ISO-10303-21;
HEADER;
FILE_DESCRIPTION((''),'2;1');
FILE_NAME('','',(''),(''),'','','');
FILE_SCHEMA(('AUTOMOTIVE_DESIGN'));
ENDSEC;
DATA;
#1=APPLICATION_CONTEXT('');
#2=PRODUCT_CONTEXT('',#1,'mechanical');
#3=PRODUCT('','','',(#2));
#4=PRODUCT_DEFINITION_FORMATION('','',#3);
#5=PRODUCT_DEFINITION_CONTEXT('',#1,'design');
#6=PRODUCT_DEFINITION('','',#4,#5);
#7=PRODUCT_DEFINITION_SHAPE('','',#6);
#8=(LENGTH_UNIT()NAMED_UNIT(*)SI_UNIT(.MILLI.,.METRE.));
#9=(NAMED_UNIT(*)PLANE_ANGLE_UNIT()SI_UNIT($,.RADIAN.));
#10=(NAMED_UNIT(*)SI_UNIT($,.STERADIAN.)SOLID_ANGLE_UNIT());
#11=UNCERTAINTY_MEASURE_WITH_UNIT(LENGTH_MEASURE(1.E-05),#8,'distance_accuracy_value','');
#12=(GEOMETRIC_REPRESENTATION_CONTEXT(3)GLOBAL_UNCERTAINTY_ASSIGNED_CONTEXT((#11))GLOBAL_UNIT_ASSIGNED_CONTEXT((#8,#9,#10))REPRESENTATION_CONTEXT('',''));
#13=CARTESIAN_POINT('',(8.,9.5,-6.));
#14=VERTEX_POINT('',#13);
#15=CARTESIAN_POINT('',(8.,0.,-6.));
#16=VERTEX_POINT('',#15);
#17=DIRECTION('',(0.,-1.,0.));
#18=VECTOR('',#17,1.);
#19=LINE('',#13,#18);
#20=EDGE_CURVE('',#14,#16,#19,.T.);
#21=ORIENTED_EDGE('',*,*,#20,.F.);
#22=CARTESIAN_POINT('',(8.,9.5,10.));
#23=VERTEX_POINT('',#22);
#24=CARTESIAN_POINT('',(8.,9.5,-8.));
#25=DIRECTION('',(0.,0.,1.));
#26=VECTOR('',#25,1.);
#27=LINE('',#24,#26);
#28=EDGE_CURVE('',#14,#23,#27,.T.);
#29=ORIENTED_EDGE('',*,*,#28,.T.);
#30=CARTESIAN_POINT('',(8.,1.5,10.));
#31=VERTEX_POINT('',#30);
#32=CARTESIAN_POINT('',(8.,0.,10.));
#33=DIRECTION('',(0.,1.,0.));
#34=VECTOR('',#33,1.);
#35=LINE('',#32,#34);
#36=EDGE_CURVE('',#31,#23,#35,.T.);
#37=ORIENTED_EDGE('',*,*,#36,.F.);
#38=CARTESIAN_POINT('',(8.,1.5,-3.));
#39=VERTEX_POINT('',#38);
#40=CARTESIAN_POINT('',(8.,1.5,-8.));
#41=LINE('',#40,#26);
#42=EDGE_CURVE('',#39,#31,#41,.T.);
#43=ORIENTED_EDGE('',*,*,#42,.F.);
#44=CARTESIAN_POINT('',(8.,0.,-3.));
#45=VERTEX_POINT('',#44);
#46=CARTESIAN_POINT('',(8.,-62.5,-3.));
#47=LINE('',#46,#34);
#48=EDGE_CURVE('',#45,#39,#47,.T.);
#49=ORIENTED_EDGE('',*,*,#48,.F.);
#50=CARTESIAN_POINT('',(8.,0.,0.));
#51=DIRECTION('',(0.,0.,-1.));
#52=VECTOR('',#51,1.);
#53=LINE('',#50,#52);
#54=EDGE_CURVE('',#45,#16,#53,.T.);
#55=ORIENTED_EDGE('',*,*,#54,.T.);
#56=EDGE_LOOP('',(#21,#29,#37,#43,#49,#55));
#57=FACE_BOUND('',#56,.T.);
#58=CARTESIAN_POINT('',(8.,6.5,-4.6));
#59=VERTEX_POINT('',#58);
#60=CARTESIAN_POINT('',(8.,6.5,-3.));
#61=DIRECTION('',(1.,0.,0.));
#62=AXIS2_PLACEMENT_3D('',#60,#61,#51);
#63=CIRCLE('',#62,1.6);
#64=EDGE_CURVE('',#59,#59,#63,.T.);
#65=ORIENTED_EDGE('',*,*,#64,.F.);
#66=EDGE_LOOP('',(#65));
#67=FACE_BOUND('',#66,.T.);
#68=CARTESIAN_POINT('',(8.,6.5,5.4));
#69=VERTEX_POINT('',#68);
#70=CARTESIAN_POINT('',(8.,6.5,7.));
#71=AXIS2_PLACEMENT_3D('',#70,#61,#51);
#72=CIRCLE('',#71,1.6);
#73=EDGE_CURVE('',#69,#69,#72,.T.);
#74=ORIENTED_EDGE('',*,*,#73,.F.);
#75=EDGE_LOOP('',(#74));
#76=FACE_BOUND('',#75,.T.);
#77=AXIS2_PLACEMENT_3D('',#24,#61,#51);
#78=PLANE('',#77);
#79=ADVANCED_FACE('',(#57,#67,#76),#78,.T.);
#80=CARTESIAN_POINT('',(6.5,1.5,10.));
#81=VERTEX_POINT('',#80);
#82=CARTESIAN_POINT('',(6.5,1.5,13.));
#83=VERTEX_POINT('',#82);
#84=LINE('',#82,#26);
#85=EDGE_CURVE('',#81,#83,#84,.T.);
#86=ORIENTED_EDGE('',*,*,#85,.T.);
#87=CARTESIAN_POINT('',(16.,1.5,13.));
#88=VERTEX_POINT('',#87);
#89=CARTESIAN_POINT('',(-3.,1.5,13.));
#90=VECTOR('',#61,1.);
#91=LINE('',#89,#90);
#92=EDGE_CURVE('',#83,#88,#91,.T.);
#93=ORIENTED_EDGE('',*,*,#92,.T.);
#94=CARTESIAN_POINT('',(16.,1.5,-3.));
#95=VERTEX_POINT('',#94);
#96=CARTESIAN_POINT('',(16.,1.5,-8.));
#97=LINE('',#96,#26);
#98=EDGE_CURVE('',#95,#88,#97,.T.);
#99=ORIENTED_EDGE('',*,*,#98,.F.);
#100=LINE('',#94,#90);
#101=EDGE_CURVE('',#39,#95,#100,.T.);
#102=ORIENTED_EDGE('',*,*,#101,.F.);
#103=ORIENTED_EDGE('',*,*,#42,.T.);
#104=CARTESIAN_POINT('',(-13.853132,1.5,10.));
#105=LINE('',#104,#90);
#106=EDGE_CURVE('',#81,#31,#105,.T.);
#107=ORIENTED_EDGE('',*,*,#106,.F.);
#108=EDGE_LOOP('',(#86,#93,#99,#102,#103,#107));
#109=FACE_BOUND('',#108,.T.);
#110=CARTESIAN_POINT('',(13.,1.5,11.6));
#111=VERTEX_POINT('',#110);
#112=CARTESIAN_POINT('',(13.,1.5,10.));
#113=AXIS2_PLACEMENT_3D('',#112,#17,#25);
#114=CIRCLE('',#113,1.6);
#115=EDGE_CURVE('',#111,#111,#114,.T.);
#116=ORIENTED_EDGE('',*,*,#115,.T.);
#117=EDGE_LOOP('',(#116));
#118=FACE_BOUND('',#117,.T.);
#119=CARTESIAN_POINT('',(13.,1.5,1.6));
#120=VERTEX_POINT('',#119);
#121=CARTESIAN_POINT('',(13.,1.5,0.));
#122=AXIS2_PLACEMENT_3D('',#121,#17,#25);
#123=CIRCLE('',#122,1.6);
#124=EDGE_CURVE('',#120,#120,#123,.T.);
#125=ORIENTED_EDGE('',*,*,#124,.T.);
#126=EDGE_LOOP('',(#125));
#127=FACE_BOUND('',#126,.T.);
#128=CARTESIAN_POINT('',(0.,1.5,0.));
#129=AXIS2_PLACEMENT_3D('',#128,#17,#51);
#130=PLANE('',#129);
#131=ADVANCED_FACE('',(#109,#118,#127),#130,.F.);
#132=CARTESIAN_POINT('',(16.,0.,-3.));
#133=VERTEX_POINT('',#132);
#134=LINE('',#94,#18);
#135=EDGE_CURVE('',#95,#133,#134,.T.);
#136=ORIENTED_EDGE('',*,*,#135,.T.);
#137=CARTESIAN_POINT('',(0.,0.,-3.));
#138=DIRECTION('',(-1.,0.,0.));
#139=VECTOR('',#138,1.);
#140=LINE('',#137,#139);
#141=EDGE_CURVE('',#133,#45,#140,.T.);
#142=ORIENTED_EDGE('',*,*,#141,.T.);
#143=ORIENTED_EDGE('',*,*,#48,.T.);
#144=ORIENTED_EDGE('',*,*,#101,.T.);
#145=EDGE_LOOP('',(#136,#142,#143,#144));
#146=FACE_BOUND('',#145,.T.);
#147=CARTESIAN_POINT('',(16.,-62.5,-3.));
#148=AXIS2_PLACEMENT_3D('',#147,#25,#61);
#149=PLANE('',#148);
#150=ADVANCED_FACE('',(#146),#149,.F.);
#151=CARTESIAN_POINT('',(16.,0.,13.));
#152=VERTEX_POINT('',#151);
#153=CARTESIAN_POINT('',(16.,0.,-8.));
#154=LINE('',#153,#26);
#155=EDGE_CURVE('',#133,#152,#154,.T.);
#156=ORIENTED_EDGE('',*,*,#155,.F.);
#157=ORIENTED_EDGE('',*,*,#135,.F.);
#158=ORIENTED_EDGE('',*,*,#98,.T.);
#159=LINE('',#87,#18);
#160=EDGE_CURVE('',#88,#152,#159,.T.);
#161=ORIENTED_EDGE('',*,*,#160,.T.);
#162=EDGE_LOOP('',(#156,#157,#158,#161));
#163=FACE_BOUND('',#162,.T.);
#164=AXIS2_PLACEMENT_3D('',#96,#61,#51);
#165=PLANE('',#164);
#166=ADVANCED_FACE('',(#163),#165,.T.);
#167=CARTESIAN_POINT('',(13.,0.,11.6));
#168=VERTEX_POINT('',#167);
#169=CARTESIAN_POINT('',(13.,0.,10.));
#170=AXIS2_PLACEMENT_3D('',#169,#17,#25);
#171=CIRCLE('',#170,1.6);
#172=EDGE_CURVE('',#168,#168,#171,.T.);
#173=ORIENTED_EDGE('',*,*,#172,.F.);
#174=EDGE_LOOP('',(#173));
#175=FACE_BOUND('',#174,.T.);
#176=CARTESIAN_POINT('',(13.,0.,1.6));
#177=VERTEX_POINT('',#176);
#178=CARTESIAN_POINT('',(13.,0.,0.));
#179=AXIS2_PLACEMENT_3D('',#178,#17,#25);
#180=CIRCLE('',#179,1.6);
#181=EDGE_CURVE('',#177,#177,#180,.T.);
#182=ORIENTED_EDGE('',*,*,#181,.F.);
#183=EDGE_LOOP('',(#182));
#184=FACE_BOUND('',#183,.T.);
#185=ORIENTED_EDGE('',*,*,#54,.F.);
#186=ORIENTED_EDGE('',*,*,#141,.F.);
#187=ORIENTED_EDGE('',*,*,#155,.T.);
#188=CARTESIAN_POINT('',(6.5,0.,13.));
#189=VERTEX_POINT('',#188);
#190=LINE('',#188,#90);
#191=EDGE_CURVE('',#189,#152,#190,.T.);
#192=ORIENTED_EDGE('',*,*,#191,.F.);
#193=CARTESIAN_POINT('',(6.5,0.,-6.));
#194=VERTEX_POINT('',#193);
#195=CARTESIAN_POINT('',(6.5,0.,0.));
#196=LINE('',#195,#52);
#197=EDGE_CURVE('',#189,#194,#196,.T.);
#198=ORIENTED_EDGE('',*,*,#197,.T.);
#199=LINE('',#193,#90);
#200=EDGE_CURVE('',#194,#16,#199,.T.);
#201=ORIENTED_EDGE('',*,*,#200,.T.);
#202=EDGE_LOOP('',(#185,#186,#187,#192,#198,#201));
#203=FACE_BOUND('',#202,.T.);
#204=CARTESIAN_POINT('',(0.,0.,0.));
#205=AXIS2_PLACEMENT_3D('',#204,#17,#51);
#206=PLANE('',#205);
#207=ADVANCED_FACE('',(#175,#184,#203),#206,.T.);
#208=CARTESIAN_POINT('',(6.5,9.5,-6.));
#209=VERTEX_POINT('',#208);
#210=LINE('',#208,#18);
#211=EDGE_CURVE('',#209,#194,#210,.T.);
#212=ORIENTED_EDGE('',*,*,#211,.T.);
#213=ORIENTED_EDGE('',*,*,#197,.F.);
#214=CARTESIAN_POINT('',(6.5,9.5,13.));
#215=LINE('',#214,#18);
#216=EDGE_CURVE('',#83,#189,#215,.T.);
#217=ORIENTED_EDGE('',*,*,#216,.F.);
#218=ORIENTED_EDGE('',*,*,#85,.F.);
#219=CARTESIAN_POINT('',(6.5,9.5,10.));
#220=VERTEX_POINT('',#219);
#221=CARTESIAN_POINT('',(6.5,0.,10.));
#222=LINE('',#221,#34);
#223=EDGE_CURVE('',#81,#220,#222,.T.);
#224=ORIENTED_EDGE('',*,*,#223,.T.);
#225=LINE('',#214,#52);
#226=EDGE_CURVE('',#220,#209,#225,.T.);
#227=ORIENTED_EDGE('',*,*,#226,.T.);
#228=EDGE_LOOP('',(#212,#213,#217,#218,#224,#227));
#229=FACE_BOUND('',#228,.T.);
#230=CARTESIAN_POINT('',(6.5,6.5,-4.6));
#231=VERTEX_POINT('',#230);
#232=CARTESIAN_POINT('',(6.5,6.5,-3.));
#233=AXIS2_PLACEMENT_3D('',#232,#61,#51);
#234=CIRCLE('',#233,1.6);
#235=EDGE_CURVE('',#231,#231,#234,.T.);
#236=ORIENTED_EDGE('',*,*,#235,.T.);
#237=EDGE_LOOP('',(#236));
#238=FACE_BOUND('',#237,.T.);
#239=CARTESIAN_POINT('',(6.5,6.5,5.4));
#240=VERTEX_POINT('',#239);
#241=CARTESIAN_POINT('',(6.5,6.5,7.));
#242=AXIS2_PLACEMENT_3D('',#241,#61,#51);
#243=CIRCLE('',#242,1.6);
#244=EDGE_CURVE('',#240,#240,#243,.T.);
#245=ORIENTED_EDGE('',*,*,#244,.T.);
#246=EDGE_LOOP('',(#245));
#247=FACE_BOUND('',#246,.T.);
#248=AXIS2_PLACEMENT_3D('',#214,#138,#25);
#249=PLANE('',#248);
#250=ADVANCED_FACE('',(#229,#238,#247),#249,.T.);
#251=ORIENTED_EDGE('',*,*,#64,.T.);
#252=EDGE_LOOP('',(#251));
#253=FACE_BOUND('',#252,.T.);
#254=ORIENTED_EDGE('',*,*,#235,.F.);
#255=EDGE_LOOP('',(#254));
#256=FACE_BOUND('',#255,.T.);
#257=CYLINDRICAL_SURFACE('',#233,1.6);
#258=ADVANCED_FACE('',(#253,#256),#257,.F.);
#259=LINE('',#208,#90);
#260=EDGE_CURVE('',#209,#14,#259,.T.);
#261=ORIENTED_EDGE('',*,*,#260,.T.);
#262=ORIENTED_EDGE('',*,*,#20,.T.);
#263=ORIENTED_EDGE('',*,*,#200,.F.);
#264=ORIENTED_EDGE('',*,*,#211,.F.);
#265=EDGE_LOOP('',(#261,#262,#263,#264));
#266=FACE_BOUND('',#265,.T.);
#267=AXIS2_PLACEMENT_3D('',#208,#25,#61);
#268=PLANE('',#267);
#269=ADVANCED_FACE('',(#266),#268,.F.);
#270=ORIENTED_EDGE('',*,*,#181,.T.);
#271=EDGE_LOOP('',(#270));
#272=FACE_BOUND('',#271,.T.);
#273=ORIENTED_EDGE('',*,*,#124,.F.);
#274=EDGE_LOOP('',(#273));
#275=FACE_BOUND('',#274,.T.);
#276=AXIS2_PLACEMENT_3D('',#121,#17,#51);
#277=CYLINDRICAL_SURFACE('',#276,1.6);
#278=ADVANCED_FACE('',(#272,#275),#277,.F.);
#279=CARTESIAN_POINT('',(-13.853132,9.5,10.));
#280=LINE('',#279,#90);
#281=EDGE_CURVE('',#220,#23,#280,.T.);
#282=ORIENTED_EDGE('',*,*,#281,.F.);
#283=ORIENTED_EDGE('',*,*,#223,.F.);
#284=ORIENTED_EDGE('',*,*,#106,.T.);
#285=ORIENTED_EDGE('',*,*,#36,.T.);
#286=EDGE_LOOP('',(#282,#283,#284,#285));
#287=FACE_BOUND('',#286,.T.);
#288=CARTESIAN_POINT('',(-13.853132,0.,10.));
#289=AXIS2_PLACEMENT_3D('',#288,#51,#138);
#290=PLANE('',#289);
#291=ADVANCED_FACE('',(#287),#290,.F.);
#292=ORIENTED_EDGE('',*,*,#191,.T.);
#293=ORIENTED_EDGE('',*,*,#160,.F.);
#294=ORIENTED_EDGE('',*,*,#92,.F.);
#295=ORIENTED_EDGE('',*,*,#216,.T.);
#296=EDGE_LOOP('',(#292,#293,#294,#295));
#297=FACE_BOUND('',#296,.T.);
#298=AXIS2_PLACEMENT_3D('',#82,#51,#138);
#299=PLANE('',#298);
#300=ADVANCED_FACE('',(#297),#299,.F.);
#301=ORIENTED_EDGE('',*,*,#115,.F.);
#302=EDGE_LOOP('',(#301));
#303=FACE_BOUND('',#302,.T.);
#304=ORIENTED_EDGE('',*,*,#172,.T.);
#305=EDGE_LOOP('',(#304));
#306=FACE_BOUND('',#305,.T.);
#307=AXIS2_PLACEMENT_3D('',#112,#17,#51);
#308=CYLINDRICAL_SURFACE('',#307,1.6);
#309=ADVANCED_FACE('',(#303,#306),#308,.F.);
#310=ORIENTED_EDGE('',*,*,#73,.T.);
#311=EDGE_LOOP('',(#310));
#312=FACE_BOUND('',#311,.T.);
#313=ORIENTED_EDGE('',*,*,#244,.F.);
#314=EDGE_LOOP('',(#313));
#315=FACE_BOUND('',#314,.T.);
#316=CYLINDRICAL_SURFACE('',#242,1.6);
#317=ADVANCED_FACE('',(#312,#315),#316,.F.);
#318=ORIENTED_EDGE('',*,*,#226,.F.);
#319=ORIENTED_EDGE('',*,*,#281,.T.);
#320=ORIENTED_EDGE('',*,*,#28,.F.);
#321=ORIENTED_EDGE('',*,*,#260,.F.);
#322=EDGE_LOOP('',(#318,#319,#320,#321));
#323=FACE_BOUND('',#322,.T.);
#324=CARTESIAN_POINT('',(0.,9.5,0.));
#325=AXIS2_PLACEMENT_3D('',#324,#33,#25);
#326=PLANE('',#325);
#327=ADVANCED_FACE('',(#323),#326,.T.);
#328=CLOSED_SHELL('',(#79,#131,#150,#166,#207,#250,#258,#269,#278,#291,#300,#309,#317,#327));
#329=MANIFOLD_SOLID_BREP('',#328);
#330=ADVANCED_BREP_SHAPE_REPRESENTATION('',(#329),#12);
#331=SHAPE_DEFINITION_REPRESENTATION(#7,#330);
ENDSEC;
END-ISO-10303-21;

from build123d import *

# Parameters (mm, degrees)
SKETCH1_R           = 1.6
BOSS_EXTRUDE2_DEPTH = 1.5
SKETCH3_W           = 1.5
SKETCH3_H           = 21
BOSS_EXTRUDE3_DEPTH = 8
SKETCH4_R           = 1.6
CUT_EXTRUDE2_DEPTH  = 8
SKETCH6_W           = 5
SKETCH6_H           = 8
CUT_EXTRUDE3_DEPTH  = 8
SKETCH7_W           = 8
SKETCH7_H           = 5
CUT_EXTRUDE4_DEPTH  = 8
SKETCH8_R           = 46.480094089
CUT_EXTRUDE5_DEPTH  = 64
SKETCH9_W           = 5
SKETCH9_H           = 8
CUT_EXTRUDE6_DEPTH  = 64
SKETCH10_W          = 8
SKETCH10_H          = 5
CUT_EXTRUDE7_DEPTH  = 64
SKETCH11_R          = 1.6
CUT_EXTRUDE8_DEPTH  = 1.5
BOSS_EXTRUDE5_DEPTH = 1.5
SKETCH13_W          = 2
SKETCH13_H          = 9.5
CUT_EXTRUDE9_DEPTH  = 1.5


with BuildPart() as part:
    # Sketch1 → Boss-Extrude2 (new body)
    with BuildSketch(Plane(origin=(0, 0, 0), x_dir=(1, 0, 0), z_dir=(0, 1, 0))):
        Polygon((-3, 8), (-3, -13), (0, -13), (6.5, -13), (6.5, 0), (6.5, 8), (0, 8), align=None)
        with Locations(Location((0, 0, 0), (0, 0, 270))):
            Circle(SKETCH1_R, mode=Mode.SUBTRACT)
        with Locations(Location((0, -10, 0), (0, 0, 270))):
            Circle(SKETCH1_R, mode=Mode.SUBTRACT)
    boss_extrude2 = extrude(amount=BOSS_EXTRUDE2_DEPTH)

    # Sketch3 → Boss-Extrude3 (add)
    with BuildSketch(Plane(origin=(0, 1.5, 0), x_dir=(1, 0, 0), z_dir=(0, 1, 0))):
        with Locations((5.75, -2.5)):
            Rectangle(SKETCH3_W, SKETCH3_H)
    boss_extrude3 = extrude(amount=BOSS_EXTRUDE3_DEPTH)

    # Sketch4 → Cut-Extrude2 (cut)
    with BuildSketch(Plane.ZY.offset(-5)):
        with Locations((-5, 6.5)):
            Circle(SKETCH4_R)
        with Locations((5, 6.5)):
            Circle(SKETCH4_R)
    cut_extrude2 = extrude(amount=-CUT_EXTRUDE2_DEPTH, mode=Mode.SUBTRACT)

    # Sketch6 → Cut-Extrude3 (cut)
    with BuildSketch(Plane.ZY.offset(-5)):
        with Locations((10.5, 5.5)):
            Rectangle(SKETCH6_W, SKETCH6_H)
    extrude(amount=-CUT_EXTRUDE3_DEPTH, mode=Mode.SUBTRACT)

    # Sketch7 → Cut-Extrude4 (cut)
    with BuildSketch(Plane(origin=(0, 1.5, 0), x_dir=(1, 0, 0), z_dir=(0, 1, 0))):
        with Locations((1, 5.5)):
            Rectangle(SKETCH7_W, SKETCH7_H)
    extrude(amount=-CUT_EXTRUDE4_DEPTH, mode=Mode.SUBTRACT)

    # Mirror1: Boss-Extrude2, Boss-Extrude3, Cut-Extrude2 across plane
    add(boss_extrude2.mirror(Plane(origin=(6.5, 1.5, 0), x_dir=(0, 0, 1), z_dir=(-1, 0, 0))))
    add(boss_extrude3.mirror(Plane(origin=(6.5, 1.5, 0), x_dir=(0, 0, 1), z_dir=(-1, 0, 0))))
    add(cut_extrude2.mirror(Plane(origin=(6.5, 1.5, 0), x_dir=(0, 0, 1), z_dir=(-1, 0, 0))), mode=Mode.SUBTRACT)

    # Sketch8 → Cut-Extrude5 (cut)
    with BuildSketch(Plane.ZY.offset(-6.5)):
        with Locations((8, 1.5)):
            Circle(SKETCH8_R)
    extrude(amount=CUT_EXTRUDE5_DEPTH, mode=Mode.SUBTRACT)

    # Sketch9 → Cut-Extrude6 (cut)
    with BuildSketch(Plane(origin=(8, 0, 0), x_dir=(0, 0, -1), z_dir=(1, 0, 0))):
        with Locations((-10.5, 5.5)):
            Rectangle(SKETCH9_W, SKETCH9_H)
    extrude(amount=-CUT_EXTRUDE6_DEPTH, mode=Mode.SUBTRACT)

    # Sketch10 → Cut-Extrude7 (cut)
    with BuildSketch(Plane(origin=(0, 1.5, 0), x_dir=(1, 0, 0), z_dir=(0, 1, 0))):
        with Locations((12, 5.5)):
            Rectangle(SKETCH10_W, SKETCH10_H)
    extrude(amount=-CUT_EXTRUDE7_DEPTH, mode=Mode.SUBTRACT)

    # Sketch11 → Cut-Extrude8 (cut)
    with BuildSketch(Plane(origin=(8, 0, 0), x_dir=(0, 0, -1), z_dir=(1, 0, 0))):
        with Locations((-7, 6.5)):
            Circle(SKETCH11_R)
        with Locations((3, 6.5)):
            Circle(SKETCH11_R)
    extrude(amount=-CUT_EXTRUDE8_DEPTH, mode=Mode.SUBTRACT)

    # Sketch12 → Boss-Extrude5 (add)
    with BuildSketch(Plane(origin=(8, 0, 0), x_dir=(0, 0, -1), z_dir=(1, 0, 0))):
        with BuildLine():
            Line((-10, 1.5), (-8, 1.5))
            Line((-8, 1.5), (-8, 5.2510004))
            ThreePointArc((-8, 5.2510004), (-8.6, 6.5), (-8, 7.7489996))
            Line((-8, 7.7489996), (-8, 9.5))
            Line((-8, 9.5), (-10, 9.5))
            Line((-10, 9.5), (-10, 6.5))
            Line((-10, 6.5), (-10, 1.5))
        make_face()
        with BuildLine():
            ThreePointArc((-5.4, 6.5), (-5.55777949, 5.807179677), (-6, 5.2510004))
            ThreePointArc((-6, 5.2510004), (-3.4, 6.5), (-6, 7.7489996))
            ThreePointArc((-6, 7.7489996), (-5.55777949, 7.192820323), (-5.4, 6.5))
        make_face()
        with BuildLine():
            ThreePointArc((-6, 7.7489996), (-3.4, 6.5), (-6, 5.2510004))
            ThreePointArc((-6, 5.2510004), (-7, 4.9), (-8, 5.2510004))
            Line((-8, 5.2510004), (-8, 1.5))
            Line((-8, 1.5), (3, 1.5))
            Line((3, 1.5), (3, 0))
            Line((3, 0), (8, 0))
            Line((8, 0), (8, 9.5))
            Line((8, 9.5), (-8, 9.5))
            Line((-8, 9.5), (-8, 7.7489996))
            ThreePointArc((-8, 7.7489996), (-7, 8.1), (-6, 7.7489996))
        make_face()
        with BuildLine():
            ThreePointArc((4, 7.7489996), (6.6, 6.5), (4, 5.2510004))
            ThreePointArc((4, 5.2510004), (1.4, 6.5), (4, 7.7489996))
        make_face(mode=Mode.SUBTRACT)
        with BuildLine():
            ThreePointArc((4, 5.2510004), (4.6, 6.5), (4, 7.7489996))
            ThreePointArc((4, 7.7489996), (6.6, 6.5), (4, 5.2510004))
        make_face()
    extrude(amount=-BOSS_EXTRUDE5_DEPTH)

    # Sketch13 → Cut-Extrude9 (cut)
    with BuildSketch(Plane(origin=(8, 0, 0), x_dir=(0, 0, -1), z_dir=(1, 0, 0))):
        with Locations((7, 4.75)):
            Rectangle(SKETCH13_W, SKETCH13_H)
    extrude(amount=-CUT_EXTRUDE9_DEPTH, mode=Mode.SUBTRACT)


solid = part.part
